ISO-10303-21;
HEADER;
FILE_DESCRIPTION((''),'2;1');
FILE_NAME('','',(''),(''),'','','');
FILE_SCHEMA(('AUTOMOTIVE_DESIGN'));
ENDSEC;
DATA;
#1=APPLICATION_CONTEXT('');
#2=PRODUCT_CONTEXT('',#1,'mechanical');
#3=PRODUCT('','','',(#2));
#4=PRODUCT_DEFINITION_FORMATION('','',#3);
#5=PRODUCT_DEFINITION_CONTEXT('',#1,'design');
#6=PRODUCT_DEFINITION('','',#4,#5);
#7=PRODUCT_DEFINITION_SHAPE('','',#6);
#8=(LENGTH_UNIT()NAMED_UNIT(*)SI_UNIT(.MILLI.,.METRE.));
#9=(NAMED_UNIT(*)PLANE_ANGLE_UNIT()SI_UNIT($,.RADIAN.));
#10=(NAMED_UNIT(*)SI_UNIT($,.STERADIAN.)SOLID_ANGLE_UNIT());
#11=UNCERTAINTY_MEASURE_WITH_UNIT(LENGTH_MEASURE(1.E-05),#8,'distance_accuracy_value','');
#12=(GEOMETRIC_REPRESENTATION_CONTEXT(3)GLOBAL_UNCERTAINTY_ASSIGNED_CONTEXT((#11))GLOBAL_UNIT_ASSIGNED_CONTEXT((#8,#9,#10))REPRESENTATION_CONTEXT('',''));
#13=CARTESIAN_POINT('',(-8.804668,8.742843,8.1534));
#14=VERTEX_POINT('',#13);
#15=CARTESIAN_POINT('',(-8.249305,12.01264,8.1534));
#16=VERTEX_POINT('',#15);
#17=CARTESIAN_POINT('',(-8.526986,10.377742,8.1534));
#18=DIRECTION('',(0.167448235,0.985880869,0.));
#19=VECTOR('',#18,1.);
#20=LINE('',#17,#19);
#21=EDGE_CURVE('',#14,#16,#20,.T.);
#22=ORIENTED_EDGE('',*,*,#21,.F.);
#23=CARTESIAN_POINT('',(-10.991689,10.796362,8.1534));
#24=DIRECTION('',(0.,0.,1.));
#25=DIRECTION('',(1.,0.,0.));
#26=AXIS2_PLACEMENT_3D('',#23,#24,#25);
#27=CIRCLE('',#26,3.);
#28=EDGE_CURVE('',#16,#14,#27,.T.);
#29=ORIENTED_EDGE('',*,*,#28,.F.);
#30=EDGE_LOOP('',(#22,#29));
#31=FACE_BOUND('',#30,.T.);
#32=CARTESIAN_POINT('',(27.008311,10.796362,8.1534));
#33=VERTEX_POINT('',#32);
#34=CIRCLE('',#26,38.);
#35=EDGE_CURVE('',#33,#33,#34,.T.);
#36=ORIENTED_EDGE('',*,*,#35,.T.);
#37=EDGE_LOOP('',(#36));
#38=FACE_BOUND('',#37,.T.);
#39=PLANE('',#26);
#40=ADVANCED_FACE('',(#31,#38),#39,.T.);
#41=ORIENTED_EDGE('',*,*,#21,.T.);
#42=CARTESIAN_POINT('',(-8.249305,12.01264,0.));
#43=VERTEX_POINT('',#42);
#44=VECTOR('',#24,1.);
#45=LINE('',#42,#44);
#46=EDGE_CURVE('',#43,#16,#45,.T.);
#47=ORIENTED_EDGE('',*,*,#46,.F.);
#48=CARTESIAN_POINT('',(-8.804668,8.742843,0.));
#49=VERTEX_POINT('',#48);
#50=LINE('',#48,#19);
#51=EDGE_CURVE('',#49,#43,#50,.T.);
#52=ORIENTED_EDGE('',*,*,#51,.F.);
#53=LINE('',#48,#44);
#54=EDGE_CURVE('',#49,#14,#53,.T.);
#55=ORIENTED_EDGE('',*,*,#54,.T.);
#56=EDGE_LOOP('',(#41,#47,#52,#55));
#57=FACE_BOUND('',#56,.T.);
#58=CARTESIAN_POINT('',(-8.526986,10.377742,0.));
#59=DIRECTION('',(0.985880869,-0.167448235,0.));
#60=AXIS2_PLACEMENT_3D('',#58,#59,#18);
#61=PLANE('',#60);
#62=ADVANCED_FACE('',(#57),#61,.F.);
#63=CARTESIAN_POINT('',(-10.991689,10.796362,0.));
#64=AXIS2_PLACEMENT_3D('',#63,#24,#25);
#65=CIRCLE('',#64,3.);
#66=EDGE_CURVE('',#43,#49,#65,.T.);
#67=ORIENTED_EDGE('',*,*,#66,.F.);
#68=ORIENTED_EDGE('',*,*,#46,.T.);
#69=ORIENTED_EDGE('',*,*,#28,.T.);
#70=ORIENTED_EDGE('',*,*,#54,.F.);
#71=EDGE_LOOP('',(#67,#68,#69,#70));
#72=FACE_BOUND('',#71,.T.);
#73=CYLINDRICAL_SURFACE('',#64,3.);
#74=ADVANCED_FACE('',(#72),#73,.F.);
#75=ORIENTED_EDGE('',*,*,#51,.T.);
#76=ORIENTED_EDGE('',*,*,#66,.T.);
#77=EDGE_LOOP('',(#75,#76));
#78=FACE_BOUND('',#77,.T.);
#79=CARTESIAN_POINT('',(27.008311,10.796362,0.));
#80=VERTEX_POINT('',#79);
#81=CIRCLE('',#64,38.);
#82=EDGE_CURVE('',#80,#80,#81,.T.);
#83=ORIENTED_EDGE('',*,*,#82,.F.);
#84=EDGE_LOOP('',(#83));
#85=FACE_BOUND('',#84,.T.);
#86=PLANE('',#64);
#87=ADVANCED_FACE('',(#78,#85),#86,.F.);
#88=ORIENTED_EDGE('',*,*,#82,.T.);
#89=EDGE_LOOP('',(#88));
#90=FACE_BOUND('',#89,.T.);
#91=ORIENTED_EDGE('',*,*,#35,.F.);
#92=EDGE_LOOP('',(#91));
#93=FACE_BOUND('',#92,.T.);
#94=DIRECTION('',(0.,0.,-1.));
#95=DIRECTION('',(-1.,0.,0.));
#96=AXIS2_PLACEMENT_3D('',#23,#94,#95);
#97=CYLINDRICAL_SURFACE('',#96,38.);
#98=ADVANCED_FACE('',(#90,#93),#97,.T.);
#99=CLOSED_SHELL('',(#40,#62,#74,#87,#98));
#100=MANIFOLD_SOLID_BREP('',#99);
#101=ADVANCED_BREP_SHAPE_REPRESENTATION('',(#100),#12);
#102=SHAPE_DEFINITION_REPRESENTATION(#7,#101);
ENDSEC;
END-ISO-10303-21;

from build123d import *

# Parameters (mm, degrees)
SKETCH1_R           = 38
BOSS_EXTRUDE1_DEPTH = 8.1534
CUT_EXTRUDE1_DEPTH  = 70.625774322


with BuildPart() as part:
    # Sketch1 → Boss-Extrude1 (new body)
    with BuildSketch(Plane.XY):
        with Locations((-10.991688671, 10.796362155)):
            Circle(SKETCH1_R)
    extrude(amount=BOSS_EXTRUDE1_DEPTH)

    # Sketch3 → Cut-Extrude1 (cut, through all)
    with BuildSketch(Plane.XY.offset(8.1534)):
        with BuildLine():
            Line((-8.526986497, 10.377741567), (-8.249305013, 12.012640033))
            ThreePointArc((-8.249305013, 12.012640033), (-13.949331278, 11.298706861), (-8.804667981, 8.742843101))
            Line((-8.804667981, 8.742843101), (-8.526986497, 10.377741567))
        make_face()
    extrude(amount=-CUT_EXTRUDE1_DEPTH, mode=Mode.SUBTRACT)


solid = part.part
